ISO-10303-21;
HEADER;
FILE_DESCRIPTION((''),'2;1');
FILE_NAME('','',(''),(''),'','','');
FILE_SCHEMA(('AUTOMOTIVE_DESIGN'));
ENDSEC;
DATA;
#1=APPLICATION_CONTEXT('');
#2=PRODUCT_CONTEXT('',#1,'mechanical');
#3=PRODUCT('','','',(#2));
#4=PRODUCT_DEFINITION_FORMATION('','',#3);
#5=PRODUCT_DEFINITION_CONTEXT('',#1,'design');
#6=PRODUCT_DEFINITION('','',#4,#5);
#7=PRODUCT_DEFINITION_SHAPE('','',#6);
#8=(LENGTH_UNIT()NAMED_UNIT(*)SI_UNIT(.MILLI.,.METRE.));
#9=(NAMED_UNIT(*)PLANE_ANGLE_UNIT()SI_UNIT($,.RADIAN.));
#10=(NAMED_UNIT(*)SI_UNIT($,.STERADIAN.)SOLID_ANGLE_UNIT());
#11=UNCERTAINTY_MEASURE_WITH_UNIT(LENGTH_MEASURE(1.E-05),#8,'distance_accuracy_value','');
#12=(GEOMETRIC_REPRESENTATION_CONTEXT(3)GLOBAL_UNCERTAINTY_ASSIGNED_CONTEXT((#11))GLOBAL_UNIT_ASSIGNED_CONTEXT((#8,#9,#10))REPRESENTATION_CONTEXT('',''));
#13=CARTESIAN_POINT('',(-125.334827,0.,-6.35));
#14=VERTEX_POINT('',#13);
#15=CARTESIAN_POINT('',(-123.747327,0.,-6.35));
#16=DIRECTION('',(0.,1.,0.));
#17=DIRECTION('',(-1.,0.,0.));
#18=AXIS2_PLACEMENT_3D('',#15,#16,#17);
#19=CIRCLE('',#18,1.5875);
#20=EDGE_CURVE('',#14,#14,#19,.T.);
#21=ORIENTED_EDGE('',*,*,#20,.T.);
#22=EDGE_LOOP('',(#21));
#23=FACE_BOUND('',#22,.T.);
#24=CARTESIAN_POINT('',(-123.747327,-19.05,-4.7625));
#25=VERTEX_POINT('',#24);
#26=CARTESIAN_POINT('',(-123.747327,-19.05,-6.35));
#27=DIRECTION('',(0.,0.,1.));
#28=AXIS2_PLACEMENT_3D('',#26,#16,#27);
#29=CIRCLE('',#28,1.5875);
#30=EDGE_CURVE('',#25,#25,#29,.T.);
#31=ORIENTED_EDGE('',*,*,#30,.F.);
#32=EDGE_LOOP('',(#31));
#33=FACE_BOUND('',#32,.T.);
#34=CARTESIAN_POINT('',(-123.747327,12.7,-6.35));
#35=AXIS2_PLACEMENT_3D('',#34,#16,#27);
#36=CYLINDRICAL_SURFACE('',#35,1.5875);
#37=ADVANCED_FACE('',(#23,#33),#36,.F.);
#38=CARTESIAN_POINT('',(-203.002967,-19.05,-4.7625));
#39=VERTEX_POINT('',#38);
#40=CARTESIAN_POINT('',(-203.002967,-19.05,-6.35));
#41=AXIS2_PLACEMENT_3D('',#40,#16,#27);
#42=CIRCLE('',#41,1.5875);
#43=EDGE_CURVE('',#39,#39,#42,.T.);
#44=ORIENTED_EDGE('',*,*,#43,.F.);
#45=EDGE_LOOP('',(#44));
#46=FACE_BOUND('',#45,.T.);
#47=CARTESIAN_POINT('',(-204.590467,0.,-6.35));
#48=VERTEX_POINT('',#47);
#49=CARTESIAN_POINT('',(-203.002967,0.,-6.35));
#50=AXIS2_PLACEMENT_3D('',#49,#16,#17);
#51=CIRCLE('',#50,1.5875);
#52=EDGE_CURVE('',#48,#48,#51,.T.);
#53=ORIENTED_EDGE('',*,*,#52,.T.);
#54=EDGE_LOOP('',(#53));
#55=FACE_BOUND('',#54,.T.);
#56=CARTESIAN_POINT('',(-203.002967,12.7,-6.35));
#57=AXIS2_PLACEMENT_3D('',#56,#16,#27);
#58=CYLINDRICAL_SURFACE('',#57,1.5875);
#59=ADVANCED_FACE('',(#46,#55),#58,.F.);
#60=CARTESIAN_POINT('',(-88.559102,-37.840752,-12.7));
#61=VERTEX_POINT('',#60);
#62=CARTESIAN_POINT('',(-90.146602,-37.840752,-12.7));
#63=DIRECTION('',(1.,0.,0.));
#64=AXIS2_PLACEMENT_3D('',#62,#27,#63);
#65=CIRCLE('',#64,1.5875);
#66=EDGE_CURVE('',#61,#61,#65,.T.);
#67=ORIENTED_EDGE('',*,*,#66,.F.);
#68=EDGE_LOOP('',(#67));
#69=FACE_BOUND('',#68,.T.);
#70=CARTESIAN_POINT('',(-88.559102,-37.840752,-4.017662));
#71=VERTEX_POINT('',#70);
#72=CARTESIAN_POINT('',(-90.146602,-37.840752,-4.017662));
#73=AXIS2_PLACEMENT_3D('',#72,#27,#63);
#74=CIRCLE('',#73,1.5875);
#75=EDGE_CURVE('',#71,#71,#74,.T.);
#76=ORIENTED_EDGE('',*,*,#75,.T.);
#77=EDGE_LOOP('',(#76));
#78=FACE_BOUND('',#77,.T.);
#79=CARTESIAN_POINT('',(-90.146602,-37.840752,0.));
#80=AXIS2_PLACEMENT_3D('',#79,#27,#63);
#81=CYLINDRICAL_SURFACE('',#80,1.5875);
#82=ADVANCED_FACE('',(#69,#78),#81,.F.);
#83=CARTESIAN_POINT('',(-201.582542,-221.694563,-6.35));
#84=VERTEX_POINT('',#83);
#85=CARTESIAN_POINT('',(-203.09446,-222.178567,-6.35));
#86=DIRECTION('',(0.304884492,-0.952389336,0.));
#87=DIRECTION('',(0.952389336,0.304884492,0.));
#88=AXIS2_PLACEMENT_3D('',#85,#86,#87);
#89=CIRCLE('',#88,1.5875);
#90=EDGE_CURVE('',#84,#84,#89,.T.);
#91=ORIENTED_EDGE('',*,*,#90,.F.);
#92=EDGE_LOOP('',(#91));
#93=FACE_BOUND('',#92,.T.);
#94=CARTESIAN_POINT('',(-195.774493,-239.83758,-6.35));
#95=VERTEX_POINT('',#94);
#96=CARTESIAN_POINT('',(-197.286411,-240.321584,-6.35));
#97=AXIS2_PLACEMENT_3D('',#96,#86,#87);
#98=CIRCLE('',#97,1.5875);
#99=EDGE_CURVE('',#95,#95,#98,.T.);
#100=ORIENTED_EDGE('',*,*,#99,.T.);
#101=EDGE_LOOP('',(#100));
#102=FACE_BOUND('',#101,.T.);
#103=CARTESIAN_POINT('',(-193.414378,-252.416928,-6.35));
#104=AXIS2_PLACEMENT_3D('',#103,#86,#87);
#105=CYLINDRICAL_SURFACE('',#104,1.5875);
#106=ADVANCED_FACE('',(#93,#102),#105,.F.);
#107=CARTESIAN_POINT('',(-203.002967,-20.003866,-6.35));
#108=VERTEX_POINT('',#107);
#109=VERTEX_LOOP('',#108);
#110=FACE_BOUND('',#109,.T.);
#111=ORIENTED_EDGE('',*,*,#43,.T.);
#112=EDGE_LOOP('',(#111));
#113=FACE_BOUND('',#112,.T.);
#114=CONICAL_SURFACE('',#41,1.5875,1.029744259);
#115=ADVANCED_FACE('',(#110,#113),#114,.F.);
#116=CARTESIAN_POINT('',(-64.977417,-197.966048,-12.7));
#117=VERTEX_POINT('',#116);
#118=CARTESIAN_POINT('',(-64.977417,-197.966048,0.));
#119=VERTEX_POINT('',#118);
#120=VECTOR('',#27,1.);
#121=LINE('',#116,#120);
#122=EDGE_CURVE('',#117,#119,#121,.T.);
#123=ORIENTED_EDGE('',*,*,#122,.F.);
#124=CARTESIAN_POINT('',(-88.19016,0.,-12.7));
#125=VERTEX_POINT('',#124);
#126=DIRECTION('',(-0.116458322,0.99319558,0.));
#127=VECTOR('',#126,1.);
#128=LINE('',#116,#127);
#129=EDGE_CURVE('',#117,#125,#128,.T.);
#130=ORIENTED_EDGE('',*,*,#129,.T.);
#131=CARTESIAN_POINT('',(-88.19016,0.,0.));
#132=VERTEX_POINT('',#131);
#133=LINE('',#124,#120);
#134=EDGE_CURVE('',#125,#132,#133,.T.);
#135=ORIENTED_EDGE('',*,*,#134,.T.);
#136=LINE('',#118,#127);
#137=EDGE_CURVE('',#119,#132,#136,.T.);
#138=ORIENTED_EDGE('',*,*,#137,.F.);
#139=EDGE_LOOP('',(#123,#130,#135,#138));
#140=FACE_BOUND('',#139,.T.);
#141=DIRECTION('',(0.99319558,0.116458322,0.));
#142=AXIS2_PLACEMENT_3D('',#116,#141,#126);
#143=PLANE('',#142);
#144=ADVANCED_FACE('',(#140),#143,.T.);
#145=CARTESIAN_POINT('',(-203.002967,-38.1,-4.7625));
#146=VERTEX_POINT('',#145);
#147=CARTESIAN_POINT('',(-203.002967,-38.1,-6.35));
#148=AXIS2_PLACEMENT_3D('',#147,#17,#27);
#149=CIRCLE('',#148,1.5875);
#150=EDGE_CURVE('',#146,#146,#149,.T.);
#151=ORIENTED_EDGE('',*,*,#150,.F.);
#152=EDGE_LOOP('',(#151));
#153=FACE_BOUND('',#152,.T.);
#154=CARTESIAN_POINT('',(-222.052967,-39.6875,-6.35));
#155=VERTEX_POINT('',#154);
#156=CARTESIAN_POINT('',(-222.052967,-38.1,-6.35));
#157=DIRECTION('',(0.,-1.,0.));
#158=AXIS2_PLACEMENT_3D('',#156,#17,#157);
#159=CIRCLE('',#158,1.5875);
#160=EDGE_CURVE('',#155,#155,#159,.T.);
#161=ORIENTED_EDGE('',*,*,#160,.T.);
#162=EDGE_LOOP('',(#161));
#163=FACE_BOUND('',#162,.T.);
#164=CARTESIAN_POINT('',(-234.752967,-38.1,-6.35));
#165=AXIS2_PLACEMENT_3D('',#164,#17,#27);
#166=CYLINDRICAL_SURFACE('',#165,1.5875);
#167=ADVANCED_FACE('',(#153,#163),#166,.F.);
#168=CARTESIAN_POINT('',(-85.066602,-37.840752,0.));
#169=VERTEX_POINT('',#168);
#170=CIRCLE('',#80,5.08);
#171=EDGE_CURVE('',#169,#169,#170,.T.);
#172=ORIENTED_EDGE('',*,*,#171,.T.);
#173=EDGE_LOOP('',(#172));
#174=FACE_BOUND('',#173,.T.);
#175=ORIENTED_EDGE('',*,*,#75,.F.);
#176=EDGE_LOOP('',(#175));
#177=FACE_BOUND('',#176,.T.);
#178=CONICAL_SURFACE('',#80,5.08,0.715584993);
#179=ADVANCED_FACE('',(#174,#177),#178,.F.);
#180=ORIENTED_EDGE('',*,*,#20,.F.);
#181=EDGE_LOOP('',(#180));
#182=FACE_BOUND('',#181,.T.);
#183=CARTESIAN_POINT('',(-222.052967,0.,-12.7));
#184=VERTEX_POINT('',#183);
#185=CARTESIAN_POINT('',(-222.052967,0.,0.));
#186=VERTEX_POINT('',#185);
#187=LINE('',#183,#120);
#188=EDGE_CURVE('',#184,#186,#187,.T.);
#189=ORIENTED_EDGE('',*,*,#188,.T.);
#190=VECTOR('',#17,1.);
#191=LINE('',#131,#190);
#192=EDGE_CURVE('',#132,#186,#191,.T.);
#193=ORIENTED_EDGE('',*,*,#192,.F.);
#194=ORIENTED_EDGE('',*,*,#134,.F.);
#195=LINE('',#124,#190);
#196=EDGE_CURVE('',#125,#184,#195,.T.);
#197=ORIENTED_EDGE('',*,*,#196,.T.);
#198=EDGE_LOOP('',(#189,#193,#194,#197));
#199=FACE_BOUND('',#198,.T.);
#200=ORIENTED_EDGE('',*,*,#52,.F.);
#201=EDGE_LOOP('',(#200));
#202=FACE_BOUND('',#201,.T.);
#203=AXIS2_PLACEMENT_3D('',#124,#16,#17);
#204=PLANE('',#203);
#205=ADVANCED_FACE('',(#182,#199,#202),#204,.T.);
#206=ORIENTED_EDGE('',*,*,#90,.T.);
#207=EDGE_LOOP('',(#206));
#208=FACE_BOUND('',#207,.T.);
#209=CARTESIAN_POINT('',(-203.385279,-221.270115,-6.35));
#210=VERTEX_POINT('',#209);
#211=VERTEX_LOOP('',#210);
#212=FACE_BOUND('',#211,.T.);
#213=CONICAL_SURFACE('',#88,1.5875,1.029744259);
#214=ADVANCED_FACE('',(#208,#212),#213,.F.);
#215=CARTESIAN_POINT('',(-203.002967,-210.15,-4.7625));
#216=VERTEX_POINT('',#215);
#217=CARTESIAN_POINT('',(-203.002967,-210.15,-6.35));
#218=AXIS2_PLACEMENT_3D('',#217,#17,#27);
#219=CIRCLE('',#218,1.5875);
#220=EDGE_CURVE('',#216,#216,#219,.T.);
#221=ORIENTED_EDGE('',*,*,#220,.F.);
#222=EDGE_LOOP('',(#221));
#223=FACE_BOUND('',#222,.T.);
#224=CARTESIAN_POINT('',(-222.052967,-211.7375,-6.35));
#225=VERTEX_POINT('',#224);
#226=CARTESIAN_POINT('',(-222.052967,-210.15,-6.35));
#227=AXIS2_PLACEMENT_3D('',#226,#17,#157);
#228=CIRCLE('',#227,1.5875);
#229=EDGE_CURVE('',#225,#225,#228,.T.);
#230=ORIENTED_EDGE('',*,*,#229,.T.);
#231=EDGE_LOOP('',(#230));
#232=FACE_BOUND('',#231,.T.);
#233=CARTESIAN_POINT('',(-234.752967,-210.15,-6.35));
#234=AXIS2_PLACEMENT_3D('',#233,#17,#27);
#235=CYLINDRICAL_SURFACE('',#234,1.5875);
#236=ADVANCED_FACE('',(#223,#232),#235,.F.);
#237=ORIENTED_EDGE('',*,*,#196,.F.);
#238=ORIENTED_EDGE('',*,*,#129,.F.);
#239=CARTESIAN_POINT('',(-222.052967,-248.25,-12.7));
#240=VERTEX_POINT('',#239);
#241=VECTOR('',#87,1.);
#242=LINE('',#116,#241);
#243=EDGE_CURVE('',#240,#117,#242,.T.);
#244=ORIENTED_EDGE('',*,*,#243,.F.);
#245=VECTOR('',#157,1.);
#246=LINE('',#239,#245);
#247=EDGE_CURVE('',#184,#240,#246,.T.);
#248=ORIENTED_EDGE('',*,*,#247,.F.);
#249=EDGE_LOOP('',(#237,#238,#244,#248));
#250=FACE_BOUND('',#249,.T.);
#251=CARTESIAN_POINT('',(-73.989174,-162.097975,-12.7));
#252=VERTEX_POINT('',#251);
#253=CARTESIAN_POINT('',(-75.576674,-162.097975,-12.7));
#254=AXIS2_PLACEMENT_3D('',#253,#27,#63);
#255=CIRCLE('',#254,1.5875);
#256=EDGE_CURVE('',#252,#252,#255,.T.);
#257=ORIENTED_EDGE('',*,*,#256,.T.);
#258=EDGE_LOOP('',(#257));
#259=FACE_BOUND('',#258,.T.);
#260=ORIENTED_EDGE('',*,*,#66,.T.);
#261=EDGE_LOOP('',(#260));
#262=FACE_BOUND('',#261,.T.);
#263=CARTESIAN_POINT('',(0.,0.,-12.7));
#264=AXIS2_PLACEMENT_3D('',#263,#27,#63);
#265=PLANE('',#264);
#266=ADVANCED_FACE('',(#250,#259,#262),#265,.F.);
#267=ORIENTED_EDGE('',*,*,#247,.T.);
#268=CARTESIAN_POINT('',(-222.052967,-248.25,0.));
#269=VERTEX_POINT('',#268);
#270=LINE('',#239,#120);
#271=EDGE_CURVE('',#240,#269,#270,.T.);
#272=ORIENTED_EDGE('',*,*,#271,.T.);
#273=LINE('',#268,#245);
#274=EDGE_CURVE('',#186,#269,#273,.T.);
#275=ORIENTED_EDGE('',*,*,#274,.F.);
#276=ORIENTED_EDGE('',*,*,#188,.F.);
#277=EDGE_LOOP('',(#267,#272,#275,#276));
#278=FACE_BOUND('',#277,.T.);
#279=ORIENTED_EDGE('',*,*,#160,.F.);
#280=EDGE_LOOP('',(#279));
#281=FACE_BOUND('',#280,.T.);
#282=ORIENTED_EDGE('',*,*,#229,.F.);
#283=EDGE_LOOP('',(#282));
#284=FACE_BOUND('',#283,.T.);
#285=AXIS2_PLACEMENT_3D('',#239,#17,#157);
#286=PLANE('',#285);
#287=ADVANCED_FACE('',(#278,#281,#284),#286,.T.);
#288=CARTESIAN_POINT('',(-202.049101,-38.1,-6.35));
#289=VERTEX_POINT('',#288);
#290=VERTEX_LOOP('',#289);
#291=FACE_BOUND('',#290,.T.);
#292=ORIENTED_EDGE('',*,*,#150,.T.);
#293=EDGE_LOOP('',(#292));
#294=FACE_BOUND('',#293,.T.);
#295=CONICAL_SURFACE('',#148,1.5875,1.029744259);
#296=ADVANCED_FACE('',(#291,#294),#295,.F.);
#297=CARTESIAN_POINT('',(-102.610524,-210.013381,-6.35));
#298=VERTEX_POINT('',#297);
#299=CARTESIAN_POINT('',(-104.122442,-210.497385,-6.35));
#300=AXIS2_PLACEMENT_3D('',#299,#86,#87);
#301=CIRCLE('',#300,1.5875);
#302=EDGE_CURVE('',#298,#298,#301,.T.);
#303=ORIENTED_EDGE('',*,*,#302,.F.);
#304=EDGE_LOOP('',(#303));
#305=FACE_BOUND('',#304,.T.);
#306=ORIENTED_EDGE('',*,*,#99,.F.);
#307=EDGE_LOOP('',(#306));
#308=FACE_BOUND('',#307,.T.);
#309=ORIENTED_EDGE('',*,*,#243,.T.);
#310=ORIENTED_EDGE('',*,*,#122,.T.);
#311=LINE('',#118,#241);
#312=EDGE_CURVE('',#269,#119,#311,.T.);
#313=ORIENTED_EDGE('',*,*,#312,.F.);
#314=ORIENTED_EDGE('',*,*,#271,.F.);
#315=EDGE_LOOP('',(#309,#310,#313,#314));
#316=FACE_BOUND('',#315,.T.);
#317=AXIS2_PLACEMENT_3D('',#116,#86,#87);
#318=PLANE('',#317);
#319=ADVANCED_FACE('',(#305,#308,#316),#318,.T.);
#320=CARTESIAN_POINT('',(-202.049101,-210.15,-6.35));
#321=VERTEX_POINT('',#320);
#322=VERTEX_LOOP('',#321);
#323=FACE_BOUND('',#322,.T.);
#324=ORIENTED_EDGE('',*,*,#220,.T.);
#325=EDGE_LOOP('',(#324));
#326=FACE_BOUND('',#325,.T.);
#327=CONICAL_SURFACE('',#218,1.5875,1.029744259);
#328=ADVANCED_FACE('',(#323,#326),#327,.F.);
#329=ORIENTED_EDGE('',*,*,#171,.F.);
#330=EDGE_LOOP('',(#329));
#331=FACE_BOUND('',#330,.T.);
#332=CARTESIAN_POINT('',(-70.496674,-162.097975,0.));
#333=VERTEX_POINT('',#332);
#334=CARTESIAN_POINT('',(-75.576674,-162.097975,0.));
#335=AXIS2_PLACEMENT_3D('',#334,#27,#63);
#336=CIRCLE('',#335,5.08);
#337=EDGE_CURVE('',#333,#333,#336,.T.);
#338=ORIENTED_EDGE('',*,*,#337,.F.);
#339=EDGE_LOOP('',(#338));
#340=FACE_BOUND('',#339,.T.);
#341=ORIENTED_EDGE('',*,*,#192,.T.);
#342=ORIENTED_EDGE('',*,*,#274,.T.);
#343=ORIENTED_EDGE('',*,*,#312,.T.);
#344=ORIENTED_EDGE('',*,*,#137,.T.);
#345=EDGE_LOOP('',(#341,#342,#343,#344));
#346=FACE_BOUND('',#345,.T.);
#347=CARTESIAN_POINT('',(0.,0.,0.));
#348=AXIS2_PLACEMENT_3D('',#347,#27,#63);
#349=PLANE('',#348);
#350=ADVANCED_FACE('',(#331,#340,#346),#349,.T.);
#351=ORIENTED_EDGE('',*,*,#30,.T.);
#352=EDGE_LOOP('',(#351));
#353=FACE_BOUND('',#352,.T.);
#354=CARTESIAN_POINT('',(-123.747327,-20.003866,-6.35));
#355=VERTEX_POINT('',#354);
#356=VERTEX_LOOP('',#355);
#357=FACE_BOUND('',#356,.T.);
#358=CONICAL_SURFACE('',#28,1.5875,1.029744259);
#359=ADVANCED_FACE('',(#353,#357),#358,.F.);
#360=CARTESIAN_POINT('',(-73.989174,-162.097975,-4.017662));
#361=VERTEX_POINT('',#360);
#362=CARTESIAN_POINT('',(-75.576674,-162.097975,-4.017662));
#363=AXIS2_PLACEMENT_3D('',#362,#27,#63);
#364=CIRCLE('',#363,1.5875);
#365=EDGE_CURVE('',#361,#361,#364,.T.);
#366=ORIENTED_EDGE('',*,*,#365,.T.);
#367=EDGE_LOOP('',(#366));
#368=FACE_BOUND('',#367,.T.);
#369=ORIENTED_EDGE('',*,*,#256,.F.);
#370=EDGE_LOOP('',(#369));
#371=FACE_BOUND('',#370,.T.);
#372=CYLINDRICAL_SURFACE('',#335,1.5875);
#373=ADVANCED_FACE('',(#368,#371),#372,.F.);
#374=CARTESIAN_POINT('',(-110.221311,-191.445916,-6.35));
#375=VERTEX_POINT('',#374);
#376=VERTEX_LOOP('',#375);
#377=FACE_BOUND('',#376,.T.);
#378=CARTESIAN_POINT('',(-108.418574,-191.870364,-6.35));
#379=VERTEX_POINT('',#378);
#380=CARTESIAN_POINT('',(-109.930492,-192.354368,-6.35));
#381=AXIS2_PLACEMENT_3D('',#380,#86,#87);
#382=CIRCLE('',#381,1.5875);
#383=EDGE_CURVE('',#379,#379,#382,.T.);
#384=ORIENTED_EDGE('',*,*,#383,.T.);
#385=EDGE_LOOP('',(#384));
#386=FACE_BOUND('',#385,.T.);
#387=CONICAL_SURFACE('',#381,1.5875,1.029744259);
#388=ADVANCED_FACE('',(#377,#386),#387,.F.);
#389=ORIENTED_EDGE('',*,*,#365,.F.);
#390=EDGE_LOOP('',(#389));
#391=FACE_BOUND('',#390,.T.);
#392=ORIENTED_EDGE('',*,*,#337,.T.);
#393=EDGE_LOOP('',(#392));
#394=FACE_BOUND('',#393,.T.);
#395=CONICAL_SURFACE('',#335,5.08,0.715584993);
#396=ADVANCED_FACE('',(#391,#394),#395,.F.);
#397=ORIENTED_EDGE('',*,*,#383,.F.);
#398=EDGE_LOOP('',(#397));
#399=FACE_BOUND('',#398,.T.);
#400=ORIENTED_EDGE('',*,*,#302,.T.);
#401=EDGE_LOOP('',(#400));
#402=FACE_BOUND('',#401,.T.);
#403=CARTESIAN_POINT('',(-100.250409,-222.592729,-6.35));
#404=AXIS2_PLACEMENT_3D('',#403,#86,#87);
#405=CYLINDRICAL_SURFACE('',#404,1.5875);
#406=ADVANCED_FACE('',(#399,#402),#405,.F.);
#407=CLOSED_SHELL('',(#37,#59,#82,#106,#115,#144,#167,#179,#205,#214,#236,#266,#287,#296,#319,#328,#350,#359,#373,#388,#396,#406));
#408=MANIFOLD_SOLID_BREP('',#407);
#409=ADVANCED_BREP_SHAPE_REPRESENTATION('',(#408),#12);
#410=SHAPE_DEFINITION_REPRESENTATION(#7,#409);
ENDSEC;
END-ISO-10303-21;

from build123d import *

# Parameters (mm, degrees)
BOSS_EXTRUDE1_DEPTH = 12.7
HOLE3_D             = 3.175
HOLE3_DEPTH         = 31.75
HOLE3_CSINK_D       = 10.16
HOLE3_CSINK_ANGLE   = 82
HOLE3_TIP           = 0.953866233
HOLE6_D             = 3.175
HOLE6_DEPTH         = 38.1
HOLE6_CSINK_D       = 10.16
HOLE6_CSINK_ANGLE   = 82
HOLE6_TIP           = 0.953866233
HOLE7_D             = 3.175
HOLE7_DEPTH         = 31.75
HOLE7_CSINK_D       = 10.16
HOLE7_CSINK_ANGLE   = 82
HOLE7_TIP           = 0.953866233
HOLE8_D             = 3.175
HOLE8_DEPTH         = 31.75
HOLE8_CSINK_D       = 10.16
HOLE8_CSINK_ANGLE   = 82
HOLE8_TIP           = 0.953866233


with BuildPart() as part:
    # Sketch1 → Boss-Extrude1 (new body)
    with BuildSketch(Plane.XY):
        Polygon((-88.190159952, 0), (-222.052967181, 0), (-222.052967181, -248.25), (-64.977416983, -197.966048293), align=None)
    extrude(amount=-BOSS_EXTRUDE1_DEPTH)

    # Hole3
    with Locations(Plane(origin=(-234.752967181, 1090.512770337, -135.816741379), x_dir=(0, 0, -1), z_dir=(-1, 0, 0))):
        with Locations((-129.466741379, 1300.662770337), (-129.466741379, 1128.612770337), (129.198788767, 1128.612770337), (129.198788767, 1300.662770337)):
            CounterSinkHole(HOLE3_D / 2, HOLE3_CSINK_D / 2, depth=HOLE3_DEPTH, counter_sink_angle=HOLE3_CSINK_ANGLE)
            with Locations((0, 0, -(HOLE3_DEPTH + HOLE3_TIP / 2))):  # 118° drill point
                Cone(0, HOLE3_D / 2, HOLE3_TIP, mode=Mode.SUBTRACT)

    # Hole6
    with Locations(Plane(origin=(181.039434513, 1090.512770337, 0), x_dir=(-0.927183855, -0.374606593, 0), z_dir=(0, 0, 1))):
        with Locations((707.166557203, 1065.270372796), (674.127983646, 944.603090451)):
            CounterSinkHole(HOLE6_D / 2, HOLE6_CSINK_D / 2, depth=HOLE6_DEPTH, counter_sink_angle=HOLE6_CSINK_ANGLE)
            with Locations((0, 0, -(HOLE6_DEPTH + HOLE6_TIP / 2))):  # 118° drill point
                Cone(0, HOLE6_D / 2, HOLE6_TIP, mode=Mode.SUBTRACT)

    # Hole7
    with Locations(Plane(origin=(181.039434513, 12.7, -135.816741379), x_dir=(0, 0, -1), z_dir=(0, 1, 0))):
        with Locations((129.198788767, 384.042401694), (-129.466741379, 384.042401694), (-129.466741379, 304.786761906), (-110.416741379, 409.442401694), (-0.133976306, 409.442401694), (110.148788767, 409.442401694), (129.198788767, 304.786761906)):
            CounterSinkHole(HOLE7_D / 2, HOLE7_CSINK_D / 2, depth=HOLE7_DEPTH, counter_sink_angle=HOLE7_CSINK_ANGLE)
            with Locations((0, 0, -(HOLE7_DEPTH + HOLE7_TIP / 2))):  # 118° drill point
                Cone(0, HOLE7_D / 2, HOLE7_TIP, mode=Mode.SUBTRACT)

    # Hole8
    with Locations(Plane(origin=(536.177050645, -18.855816567, -135.816741379), x_dir=(0, 0, 1), z_dir=(0.304884492, -0.952389336, 0))):
        with Locations((-129.257383629, 766.263727577), (129.466741379, 668.242950575), (129.466741379, 766.064256541), (-129.408220012, 668.442537903)):
            CounterSinkHole(HOLE8_D / 2, HOLE8_CSINK_D / 2, depth=HOLE8_DEPTH, counter_sink_angle=HOLE8_CSINK_ANGLE)
            with Locations((0, 0, -(HOLE8_DEPTH + HOLE8_TIP / 2))):  # 118° drill point
                Cone(0, HOLE8_D / 2, HOLE8_TIP, mode=Mode.SUBTRACT)


solid = part.part
